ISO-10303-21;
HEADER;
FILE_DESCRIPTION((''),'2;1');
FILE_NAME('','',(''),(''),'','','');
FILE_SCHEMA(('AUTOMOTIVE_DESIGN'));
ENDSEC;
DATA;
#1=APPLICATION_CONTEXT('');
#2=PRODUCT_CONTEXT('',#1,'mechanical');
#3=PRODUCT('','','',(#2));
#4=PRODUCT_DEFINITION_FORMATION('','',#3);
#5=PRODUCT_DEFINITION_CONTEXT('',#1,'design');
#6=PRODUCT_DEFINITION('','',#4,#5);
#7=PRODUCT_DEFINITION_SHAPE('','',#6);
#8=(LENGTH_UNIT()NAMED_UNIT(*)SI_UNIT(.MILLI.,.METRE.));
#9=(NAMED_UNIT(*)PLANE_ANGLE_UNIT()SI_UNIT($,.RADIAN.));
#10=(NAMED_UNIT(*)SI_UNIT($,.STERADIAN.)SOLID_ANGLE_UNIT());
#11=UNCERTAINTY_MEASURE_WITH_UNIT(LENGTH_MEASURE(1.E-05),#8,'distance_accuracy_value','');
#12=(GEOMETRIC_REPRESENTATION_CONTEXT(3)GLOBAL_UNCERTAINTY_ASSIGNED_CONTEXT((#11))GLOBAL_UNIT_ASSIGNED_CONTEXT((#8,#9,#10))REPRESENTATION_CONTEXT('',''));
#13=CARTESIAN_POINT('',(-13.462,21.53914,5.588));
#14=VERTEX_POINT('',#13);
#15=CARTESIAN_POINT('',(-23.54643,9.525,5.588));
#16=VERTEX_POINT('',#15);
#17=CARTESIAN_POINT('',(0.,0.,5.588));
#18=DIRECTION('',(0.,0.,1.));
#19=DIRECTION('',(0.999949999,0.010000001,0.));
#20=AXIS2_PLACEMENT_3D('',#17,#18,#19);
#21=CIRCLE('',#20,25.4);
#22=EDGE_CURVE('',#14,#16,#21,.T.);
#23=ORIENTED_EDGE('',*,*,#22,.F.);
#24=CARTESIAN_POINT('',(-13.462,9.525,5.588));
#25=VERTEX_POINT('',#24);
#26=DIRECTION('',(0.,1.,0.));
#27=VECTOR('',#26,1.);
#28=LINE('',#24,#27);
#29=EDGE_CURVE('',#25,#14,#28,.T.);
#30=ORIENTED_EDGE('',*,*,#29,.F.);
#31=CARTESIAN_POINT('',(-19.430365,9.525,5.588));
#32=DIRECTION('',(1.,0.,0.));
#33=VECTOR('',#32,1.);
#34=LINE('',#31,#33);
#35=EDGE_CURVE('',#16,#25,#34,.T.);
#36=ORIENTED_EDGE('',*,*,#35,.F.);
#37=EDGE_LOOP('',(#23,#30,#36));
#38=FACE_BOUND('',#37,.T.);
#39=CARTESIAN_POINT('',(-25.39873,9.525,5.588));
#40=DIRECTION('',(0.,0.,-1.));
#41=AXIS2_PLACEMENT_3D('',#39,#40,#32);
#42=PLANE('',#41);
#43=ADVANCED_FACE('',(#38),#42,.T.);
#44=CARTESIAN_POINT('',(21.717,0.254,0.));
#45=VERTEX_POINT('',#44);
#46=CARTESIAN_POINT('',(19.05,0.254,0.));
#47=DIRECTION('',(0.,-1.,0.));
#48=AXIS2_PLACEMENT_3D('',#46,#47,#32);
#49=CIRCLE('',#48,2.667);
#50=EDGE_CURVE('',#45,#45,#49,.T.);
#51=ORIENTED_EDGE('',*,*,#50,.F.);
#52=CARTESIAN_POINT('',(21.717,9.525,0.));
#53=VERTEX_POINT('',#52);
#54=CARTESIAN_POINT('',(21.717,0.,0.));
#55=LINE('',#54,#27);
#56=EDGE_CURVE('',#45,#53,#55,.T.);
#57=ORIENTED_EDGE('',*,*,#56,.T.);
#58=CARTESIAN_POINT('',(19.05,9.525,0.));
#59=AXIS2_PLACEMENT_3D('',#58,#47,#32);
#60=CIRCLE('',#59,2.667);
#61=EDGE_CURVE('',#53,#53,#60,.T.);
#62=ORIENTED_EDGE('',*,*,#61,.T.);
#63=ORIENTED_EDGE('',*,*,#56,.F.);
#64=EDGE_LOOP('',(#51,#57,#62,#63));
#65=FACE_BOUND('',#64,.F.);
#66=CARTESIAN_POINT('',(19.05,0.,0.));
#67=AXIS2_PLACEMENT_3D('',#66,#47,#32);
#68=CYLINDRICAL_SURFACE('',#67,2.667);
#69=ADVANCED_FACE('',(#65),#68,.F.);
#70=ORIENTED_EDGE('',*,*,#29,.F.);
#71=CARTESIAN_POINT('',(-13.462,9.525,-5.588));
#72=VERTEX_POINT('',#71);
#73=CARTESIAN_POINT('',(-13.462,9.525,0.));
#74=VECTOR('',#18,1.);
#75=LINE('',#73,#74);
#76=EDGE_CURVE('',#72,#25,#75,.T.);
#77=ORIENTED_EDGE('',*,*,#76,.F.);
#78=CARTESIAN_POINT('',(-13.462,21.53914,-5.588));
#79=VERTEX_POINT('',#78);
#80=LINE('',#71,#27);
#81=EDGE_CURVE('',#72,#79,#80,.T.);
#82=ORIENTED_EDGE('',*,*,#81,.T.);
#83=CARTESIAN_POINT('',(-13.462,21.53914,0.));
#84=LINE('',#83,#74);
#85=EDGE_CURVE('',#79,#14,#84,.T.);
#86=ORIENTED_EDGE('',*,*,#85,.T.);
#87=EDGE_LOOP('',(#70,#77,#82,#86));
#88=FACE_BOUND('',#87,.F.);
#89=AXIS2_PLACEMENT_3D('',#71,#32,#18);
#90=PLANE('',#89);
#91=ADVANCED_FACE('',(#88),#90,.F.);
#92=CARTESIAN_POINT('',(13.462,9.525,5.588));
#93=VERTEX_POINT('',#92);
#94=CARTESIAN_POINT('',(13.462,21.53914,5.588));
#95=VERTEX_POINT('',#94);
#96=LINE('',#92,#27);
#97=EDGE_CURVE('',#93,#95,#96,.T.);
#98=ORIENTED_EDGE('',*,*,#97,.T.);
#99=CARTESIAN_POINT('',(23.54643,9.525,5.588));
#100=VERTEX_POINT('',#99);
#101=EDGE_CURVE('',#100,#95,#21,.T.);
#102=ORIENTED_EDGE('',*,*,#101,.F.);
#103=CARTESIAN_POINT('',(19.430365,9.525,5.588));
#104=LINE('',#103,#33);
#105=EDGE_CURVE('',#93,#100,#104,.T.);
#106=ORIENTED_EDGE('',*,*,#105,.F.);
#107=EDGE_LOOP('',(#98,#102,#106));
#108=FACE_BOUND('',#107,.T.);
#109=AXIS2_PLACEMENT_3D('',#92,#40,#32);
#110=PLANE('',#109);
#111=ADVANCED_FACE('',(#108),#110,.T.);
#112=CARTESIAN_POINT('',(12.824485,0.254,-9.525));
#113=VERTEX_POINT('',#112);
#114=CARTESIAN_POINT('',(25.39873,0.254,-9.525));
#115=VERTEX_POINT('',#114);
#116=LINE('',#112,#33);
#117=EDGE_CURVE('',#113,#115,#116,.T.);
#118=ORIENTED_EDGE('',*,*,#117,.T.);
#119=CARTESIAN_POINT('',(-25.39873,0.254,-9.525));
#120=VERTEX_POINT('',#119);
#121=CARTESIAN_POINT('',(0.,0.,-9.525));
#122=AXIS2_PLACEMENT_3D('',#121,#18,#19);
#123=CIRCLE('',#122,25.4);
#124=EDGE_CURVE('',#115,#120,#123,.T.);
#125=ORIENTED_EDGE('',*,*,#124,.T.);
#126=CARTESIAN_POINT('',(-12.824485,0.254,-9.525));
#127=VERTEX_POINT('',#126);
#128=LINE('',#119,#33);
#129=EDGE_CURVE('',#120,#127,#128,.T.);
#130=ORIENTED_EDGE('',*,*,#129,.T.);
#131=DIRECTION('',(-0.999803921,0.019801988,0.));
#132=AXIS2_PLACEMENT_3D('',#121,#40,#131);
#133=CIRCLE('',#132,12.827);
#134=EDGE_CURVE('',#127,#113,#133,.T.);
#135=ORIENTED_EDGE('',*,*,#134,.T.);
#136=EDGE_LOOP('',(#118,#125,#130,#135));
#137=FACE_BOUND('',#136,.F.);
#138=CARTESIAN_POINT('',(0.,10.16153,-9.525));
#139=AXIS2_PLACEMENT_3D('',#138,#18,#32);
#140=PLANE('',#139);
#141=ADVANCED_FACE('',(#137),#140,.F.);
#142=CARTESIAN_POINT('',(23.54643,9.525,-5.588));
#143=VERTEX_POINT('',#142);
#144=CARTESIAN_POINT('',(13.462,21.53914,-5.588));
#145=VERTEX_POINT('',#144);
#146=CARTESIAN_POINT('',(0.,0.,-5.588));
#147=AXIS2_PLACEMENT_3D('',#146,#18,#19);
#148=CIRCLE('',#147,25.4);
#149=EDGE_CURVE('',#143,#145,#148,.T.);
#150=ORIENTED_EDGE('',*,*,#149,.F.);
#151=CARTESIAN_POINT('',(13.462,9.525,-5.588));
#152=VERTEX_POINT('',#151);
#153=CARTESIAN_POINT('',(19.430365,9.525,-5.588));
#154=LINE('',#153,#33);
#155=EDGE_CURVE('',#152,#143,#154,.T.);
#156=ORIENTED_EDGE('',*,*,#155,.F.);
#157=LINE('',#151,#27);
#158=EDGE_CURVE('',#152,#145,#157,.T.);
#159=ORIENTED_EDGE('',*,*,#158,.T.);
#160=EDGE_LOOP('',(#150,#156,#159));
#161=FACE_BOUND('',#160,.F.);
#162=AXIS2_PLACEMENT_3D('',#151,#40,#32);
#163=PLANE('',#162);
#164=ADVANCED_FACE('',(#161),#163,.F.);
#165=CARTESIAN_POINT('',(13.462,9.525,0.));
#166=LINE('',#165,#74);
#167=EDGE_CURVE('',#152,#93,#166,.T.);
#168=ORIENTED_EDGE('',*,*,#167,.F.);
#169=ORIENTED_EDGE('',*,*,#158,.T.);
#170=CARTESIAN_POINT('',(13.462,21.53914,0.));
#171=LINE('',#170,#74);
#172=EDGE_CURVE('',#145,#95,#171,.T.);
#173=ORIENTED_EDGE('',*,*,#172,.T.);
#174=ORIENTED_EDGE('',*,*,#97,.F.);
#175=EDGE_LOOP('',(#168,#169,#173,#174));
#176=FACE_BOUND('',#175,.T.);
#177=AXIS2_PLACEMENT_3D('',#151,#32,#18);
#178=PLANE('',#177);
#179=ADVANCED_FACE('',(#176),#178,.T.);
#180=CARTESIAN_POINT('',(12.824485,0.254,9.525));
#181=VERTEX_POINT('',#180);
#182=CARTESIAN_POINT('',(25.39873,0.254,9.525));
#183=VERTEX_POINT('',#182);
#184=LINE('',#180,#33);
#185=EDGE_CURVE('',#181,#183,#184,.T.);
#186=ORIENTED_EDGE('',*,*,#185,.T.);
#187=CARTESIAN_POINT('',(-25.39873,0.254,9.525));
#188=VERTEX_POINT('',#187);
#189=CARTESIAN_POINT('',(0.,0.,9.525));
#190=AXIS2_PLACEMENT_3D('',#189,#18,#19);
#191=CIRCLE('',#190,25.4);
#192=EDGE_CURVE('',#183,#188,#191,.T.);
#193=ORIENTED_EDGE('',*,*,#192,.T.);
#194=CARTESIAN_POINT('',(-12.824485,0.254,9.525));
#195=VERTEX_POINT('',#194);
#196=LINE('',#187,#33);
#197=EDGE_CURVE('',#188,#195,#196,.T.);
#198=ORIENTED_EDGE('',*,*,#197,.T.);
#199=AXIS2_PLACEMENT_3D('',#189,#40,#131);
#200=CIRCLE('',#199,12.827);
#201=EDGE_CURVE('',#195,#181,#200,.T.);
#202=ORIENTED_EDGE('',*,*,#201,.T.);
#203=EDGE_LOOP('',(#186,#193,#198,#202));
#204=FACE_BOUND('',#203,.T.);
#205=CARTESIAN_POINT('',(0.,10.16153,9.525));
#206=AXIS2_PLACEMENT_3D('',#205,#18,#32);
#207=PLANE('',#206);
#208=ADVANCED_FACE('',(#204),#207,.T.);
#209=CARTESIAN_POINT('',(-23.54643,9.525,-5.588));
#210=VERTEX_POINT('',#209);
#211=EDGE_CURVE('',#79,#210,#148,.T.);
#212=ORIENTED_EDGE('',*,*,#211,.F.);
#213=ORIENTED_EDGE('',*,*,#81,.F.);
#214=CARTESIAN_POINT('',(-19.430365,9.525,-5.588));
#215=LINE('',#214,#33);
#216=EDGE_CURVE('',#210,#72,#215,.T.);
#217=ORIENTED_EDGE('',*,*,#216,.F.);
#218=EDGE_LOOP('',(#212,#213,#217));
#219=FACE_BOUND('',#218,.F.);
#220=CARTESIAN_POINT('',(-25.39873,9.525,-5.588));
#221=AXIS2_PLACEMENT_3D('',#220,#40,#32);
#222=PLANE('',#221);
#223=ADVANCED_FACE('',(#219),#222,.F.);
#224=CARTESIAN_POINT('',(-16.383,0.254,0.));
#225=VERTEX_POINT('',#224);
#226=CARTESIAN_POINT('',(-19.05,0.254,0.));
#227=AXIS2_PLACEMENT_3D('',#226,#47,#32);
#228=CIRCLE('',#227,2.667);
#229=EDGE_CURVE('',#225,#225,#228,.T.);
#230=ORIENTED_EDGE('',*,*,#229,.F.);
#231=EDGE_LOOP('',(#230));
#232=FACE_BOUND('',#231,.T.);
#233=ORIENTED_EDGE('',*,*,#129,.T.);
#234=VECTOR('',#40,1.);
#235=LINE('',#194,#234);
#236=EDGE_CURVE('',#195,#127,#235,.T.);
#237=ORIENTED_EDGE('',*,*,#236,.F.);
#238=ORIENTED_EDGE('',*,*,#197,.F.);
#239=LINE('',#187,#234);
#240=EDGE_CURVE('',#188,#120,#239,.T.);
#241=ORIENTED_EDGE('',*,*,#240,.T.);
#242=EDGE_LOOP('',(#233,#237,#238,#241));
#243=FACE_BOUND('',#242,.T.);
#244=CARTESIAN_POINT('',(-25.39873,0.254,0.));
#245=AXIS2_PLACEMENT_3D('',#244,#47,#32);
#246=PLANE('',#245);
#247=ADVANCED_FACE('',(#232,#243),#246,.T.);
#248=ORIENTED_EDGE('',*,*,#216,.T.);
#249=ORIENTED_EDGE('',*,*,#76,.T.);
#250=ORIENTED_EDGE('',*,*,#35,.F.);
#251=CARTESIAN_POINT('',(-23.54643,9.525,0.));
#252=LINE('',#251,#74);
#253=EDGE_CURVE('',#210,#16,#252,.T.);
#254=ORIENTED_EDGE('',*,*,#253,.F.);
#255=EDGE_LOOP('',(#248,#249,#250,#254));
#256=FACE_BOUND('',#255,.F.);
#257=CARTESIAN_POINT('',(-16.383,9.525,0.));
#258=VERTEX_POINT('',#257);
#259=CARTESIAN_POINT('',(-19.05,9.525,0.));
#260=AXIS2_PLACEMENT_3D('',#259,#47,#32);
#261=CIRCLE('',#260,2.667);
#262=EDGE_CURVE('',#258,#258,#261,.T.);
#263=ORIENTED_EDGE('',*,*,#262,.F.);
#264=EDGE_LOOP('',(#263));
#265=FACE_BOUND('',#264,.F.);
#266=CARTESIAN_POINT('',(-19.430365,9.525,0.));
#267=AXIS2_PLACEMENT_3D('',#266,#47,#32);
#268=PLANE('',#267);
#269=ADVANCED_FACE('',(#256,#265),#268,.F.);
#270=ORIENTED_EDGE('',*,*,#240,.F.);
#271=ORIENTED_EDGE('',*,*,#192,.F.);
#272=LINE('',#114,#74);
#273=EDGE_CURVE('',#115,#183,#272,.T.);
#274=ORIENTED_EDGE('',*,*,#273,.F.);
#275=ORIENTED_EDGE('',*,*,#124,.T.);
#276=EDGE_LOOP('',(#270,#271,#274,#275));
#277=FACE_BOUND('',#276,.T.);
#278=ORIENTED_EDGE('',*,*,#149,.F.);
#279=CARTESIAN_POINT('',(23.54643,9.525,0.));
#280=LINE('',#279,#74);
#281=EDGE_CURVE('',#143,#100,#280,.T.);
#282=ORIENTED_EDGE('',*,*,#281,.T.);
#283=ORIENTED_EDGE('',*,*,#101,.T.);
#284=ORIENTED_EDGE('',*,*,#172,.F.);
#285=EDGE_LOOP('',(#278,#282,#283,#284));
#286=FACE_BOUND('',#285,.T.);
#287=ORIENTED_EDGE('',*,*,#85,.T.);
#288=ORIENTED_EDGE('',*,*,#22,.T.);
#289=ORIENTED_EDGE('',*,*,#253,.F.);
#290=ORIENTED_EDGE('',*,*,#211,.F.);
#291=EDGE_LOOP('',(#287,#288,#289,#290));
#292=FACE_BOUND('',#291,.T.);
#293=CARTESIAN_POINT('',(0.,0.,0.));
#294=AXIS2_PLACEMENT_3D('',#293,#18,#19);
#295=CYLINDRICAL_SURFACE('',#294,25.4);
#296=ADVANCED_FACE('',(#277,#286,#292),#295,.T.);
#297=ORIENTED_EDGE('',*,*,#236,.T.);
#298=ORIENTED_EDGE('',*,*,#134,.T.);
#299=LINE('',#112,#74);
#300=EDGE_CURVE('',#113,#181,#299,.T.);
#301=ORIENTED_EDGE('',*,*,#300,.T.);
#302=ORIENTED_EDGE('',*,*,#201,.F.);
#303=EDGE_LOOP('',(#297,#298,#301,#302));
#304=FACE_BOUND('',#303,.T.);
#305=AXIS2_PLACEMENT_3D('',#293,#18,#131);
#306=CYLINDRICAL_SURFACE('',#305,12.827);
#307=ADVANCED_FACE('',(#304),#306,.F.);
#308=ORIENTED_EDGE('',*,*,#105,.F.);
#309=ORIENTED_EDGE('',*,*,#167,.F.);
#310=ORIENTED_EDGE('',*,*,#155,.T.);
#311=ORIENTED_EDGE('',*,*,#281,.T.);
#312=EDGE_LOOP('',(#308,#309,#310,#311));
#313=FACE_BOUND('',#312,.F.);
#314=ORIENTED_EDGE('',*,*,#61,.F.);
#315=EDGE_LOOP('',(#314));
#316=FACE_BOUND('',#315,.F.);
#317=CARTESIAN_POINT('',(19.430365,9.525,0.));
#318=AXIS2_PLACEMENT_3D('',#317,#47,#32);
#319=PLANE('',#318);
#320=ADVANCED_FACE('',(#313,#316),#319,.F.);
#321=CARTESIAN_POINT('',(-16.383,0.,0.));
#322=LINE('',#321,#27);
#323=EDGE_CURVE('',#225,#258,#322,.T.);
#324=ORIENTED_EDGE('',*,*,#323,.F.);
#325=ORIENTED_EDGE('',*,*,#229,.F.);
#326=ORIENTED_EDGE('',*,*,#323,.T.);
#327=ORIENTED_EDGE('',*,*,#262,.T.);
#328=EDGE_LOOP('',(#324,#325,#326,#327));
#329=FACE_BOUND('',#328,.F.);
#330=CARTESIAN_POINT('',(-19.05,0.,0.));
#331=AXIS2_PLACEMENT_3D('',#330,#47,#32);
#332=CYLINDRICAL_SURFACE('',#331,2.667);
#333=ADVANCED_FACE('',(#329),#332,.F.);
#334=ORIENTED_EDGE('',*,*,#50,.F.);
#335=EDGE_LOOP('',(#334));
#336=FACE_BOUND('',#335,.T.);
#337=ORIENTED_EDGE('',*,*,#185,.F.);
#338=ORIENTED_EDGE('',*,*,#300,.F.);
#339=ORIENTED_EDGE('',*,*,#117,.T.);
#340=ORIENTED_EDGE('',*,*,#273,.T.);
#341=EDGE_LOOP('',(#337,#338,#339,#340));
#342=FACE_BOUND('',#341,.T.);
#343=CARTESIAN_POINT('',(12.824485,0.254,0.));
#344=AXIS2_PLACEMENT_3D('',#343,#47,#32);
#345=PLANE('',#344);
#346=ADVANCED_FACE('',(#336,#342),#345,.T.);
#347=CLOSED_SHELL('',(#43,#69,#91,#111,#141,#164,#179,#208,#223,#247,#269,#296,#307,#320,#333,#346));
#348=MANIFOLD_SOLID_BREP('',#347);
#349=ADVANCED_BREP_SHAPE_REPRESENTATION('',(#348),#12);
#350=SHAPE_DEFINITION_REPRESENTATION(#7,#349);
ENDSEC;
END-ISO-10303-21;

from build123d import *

# Parameters (mm, degrees)
F1_DEPTH = 9.525
F2_R     = 2.667
F4_DEPTH = 25.401
F5_W     = 11.93673
F5_H     = 11.176
F6_DEPTH = 15.876


with BuildPart() as f1:
    # F0 (on Top) → F1 (new body, symmetric)
    with BuildSketch(Plane.XY):
        with BuildLine():
            ThreePointArc((-12.824485, 0.254), (0, 12.827), (12.824485, 0.254))
            Line((12.824485, 0.254), (25.39873, 0.254))
            ThreePointArc((25.39873, 0.254), (0, 25.4), (-25.39873, 0.254))
            Line((-25.39873, 0.254), (-12.824485, 0.254))
        make_face()
    extrude(amount=F1_DEPTH, both=True)

    # F2 (on Front) → F4 (cut, through all)
    with BuildSketch(Plane.XZ):
        with Locations((-19.05, 0)):
            Circle(F2_R)
        with Locations((19.05, 0)):
            Circle(F2_R)
    extrude(amount=-F4_DEPTH, mode=Mode.SUBTRACT)

    # F5 (on offset) → F6 (cut, through all)
    with BuildSketch(Plane.XZ.offset(-9.525)):
        with Locations((19.430365, 0)):
            Rectangle(F5_W, F5_H)
        with Locations((-19.430365, 0)):
            Rectangle(F5_W, F5_H)
    extrude(amount=-F6_DEPTH, mode=Mode.SUBTRACT)


solid = f1.part
